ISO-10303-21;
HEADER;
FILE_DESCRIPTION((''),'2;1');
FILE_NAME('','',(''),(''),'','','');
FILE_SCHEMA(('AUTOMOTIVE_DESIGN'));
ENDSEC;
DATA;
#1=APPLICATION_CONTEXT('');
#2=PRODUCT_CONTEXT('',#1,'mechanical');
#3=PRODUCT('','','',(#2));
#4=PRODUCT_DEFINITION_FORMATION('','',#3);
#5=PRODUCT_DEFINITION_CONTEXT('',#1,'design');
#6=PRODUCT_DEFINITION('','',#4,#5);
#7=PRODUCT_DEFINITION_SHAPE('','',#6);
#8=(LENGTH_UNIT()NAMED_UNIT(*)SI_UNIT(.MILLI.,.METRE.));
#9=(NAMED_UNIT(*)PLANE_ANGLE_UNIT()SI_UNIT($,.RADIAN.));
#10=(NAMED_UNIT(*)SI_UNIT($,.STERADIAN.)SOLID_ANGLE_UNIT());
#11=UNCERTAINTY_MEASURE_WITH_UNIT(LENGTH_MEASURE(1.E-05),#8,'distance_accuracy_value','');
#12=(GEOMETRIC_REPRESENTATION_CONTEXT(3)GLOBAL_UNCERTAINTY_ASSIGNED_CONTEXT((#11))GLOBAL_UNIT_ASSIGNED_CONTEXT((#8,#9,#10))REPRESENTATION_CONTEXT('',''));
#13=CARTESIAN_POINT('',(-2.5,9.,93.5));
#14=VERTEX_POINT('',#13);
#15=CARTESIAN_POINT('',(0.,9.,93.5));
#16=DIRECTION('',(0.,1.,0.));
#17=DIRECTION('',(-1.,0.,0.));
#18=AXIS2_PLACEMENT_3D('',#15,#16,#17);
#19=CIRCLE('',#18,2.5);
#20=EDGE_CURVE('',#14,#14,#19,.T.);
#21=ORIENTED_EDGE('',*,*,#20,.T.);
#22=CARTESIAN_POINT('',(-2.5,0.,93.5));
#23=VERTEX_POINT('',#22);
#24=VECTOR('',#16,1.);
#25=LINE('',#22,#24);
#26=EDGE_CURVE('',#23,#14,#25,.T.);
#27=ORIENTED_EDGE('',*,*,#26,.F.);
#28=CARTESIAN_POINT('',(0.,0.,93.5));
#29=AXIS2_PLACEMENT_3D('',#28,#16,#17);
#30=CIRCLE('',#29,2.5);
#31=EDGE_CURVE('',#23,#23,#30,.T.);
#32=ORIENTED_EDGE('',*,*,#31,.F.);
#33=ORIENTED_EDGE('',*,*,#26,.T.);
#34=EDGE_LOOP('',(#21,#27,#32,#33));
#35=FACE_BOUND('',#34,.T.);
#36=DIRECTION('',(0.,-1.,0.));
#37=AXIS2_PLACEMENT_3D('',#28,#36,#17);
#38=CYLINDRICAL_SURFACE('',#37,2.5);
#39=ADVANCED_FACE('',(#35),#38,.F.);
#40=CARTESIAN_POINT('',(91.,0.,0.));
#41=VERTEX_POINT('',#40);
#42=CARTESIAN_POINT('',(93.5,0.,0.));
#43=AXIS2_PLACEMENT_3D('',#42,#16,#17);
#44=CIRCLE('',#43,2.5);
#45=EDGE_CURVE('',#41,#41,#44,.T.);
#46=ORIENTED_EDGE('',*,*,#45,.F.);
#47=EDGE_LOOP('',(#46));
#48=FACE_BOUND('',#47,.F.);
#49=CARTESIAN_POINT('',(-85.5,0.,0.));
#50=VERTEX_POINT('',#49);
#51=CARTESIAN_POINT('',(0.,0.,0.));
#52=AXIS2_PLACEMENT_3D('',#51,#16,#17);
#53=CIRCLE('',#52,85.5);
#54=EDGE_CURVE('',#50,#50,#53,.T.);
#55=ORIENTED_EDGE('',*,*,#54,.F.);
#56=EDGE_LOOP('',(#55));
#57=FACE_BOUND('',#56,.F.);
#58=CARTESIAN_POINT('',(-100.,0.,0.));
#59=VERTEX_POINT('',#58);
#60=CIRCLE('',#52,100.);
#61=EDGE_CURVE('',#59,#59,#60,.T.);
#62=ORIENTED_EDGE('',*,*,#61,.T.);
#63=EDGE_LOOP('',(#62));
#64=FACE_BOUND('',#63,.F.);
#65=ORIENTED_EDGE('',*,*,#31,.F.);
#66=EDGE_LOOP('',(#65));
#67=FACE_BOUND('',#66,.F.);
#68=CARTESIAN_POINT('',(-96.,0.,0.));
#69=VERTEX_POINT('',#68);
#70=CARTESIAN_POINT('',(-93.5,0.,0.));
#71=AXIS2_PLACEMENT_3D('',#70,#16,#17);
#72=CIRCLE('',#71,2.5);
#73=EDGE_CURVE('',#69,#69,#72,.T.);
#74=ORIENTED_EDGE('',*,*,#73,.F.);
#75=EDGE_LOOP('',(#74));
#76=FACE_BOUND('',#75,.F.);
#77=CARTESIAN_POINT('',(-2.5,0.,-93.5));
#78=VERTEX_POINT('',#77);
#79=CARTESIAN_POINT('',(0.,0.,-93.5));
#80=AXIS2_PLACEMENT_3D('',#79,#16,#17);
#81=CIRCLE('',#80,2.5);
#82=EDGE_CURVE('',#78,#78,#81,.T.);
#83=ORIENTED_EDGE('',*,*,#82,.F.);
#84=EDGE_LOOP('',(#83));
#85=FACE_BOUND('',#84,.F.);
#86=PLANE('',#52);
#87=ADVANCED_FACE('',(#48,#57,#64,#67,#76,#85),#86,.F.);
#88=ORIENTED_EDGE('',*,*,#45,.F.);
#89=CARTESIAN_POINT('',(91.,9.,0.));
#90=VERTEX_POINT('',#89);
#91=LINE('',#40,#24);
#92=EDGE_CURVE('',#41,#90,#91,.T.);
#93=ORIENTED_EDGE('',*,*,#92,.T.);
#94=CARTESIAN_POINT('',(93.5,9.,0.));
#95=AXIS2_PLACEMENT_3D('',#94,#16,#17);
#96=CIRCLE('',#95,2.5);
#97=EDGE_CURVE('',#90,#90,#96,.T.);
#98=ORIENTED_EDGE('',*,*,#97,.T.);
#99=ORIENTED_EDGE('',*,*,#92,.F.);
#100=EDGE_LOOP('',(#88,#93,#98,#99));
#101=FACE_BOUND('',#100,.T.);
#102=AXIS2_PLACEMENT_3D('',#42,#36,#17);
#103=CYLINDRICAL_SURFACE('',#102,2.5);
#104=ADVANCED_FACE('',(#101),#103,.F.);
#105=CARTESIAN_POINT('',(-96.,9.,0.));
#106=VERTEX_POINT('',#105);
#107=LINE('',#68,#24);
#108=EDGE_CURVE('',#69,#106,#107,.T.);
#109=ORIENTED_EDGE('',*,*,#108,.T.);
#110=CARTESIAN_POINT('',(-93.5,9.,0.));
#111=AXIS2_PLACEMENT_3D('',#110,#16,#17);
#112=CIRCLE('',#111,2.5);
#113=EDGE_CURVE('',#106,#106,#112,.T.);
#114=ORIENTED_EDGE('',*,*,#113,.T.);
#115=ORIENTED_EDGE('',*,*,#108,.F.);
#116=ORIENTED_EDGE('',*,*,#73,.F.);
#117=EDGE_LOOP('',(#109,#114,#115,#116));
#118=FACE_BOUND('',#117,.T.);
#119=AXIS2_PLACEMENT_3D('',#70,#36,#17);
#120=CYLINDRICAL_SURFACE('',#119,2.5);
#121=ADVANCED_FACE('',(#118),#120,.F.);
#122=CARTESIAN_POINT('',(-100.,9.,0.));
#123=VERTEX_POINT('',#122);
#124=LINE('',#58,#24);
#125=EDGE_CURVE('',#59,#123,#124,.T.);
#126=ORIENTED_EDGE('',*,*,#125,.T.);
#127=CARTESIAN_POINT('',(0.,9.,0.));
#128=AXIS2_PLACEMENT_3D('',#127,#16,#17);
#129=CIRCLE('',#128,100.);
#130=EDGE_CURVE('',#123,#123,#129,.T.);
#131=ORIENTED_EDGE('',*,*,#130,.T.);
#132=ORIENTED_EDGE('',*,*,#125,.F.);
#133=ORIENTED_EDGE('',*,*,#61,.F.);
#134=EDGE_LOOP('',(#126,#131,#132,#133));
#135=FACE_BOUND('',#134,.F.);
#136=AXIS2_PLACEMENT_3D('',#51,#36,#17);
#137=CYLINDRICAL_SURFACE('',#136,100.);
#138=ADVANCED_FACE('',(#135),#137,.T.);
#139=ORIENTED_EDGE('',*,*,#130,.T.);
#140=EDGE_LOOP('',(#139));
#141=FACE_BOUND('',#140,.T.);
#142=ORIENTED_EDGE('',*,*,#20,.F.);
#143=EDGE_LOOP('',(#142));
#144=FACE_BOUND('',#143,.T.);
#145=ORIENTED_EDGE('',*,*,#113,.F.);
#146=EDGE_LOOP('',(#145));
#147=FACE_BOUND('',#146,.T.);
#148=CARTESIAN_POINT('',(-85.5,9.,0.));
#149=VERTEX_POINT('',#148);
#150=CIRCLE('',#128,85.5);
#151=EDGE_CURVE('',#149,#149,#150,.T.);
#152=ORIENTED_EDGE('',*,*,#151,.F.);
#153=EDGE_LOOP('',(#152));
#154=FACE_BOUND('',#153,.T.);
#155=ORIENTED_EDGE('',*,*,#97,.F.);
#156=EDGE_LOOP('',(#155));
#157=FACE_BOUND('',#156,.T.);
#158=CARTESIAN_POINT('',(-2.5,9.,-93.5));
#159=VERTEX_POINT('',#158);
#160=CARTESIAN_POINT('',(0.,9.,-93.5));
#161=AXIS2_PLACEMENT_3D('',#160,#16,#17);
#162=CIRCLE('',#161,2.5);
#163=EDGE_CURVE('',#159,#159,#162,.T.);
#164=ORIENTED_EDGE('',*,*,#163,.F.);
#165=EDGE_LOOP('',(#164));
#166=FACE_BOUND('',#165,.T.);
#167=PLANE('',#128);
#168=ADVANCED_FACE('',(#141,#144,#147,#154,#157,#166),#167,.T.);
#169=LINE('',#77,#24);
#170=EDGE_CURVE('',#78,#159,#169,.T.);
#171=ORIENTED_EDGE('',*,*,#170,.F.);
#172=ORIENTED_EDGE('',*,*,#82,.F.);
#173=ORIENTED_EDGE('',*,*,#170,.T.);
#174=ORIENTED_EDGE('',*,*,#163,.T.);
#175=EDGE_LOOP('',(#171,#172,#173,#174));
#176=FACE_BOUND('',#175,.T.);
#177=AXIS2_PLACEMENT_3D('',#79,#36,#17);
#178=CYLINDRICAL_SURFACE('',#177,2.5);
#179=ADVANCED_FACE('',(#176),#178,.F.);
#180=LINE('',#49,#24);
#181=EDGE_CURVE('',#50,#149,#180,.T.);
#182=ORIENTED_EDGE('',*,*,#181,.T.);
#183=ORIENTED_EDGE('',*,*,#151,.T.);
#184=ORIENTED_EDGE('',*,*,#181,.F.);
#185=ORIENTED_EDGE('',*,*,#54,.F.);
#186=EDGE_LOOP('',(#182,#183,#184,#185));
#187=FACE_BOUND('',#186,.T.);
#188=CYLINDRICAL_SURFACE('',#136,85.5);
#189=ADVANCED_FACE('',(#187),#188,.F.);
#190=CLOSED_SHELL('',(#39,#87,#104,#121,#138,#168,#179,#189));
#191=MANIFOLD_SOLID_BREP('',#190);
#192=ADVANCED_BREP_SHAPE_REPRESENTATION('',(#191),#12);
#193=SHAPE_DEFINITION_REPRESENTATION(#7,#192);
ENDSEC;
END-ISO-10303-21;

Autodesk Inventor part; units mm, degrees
ref_plane "YZ Plane" through (0, 0, 0) normal (1, 0, 0) x (0, 1, 0)
ref_plane "XZ Plane" through (0, 0, 0) normal (0, 1, 0) x (-1, 0, 0)
ref_plane "XY Plane" through (0, 0, 0) normal (0, 0, 1) x (1, 0, 0)
sketch "スケッチ1" plane through (0, 0, 0) normal (0, 1, 0) x (-1, 0, 0)
  circle A0 centre (0, 0) radius 85.5
  circle A1 centre (0, 0) radius 100
  circle A2 centre (0, 93.5) radius 2.5
  circle A3 centre (93.5, 0) radius 2.5
  circle A4 centre (-93.5, 0) radius 2.5
  circle A5 centre (0, -93.5) radius 2.5
  dimension "d0" = 171
  dimension "d1" = 200
  dimension "d2" = 5
  dimension "d3" = 5
  dimension "d4" = 5
  dimension "d5" = 5
extrude "押し出し1" add sketch "スケッチ1" along normal blind 9
properties part number "ベアリング_145mm_outside"
